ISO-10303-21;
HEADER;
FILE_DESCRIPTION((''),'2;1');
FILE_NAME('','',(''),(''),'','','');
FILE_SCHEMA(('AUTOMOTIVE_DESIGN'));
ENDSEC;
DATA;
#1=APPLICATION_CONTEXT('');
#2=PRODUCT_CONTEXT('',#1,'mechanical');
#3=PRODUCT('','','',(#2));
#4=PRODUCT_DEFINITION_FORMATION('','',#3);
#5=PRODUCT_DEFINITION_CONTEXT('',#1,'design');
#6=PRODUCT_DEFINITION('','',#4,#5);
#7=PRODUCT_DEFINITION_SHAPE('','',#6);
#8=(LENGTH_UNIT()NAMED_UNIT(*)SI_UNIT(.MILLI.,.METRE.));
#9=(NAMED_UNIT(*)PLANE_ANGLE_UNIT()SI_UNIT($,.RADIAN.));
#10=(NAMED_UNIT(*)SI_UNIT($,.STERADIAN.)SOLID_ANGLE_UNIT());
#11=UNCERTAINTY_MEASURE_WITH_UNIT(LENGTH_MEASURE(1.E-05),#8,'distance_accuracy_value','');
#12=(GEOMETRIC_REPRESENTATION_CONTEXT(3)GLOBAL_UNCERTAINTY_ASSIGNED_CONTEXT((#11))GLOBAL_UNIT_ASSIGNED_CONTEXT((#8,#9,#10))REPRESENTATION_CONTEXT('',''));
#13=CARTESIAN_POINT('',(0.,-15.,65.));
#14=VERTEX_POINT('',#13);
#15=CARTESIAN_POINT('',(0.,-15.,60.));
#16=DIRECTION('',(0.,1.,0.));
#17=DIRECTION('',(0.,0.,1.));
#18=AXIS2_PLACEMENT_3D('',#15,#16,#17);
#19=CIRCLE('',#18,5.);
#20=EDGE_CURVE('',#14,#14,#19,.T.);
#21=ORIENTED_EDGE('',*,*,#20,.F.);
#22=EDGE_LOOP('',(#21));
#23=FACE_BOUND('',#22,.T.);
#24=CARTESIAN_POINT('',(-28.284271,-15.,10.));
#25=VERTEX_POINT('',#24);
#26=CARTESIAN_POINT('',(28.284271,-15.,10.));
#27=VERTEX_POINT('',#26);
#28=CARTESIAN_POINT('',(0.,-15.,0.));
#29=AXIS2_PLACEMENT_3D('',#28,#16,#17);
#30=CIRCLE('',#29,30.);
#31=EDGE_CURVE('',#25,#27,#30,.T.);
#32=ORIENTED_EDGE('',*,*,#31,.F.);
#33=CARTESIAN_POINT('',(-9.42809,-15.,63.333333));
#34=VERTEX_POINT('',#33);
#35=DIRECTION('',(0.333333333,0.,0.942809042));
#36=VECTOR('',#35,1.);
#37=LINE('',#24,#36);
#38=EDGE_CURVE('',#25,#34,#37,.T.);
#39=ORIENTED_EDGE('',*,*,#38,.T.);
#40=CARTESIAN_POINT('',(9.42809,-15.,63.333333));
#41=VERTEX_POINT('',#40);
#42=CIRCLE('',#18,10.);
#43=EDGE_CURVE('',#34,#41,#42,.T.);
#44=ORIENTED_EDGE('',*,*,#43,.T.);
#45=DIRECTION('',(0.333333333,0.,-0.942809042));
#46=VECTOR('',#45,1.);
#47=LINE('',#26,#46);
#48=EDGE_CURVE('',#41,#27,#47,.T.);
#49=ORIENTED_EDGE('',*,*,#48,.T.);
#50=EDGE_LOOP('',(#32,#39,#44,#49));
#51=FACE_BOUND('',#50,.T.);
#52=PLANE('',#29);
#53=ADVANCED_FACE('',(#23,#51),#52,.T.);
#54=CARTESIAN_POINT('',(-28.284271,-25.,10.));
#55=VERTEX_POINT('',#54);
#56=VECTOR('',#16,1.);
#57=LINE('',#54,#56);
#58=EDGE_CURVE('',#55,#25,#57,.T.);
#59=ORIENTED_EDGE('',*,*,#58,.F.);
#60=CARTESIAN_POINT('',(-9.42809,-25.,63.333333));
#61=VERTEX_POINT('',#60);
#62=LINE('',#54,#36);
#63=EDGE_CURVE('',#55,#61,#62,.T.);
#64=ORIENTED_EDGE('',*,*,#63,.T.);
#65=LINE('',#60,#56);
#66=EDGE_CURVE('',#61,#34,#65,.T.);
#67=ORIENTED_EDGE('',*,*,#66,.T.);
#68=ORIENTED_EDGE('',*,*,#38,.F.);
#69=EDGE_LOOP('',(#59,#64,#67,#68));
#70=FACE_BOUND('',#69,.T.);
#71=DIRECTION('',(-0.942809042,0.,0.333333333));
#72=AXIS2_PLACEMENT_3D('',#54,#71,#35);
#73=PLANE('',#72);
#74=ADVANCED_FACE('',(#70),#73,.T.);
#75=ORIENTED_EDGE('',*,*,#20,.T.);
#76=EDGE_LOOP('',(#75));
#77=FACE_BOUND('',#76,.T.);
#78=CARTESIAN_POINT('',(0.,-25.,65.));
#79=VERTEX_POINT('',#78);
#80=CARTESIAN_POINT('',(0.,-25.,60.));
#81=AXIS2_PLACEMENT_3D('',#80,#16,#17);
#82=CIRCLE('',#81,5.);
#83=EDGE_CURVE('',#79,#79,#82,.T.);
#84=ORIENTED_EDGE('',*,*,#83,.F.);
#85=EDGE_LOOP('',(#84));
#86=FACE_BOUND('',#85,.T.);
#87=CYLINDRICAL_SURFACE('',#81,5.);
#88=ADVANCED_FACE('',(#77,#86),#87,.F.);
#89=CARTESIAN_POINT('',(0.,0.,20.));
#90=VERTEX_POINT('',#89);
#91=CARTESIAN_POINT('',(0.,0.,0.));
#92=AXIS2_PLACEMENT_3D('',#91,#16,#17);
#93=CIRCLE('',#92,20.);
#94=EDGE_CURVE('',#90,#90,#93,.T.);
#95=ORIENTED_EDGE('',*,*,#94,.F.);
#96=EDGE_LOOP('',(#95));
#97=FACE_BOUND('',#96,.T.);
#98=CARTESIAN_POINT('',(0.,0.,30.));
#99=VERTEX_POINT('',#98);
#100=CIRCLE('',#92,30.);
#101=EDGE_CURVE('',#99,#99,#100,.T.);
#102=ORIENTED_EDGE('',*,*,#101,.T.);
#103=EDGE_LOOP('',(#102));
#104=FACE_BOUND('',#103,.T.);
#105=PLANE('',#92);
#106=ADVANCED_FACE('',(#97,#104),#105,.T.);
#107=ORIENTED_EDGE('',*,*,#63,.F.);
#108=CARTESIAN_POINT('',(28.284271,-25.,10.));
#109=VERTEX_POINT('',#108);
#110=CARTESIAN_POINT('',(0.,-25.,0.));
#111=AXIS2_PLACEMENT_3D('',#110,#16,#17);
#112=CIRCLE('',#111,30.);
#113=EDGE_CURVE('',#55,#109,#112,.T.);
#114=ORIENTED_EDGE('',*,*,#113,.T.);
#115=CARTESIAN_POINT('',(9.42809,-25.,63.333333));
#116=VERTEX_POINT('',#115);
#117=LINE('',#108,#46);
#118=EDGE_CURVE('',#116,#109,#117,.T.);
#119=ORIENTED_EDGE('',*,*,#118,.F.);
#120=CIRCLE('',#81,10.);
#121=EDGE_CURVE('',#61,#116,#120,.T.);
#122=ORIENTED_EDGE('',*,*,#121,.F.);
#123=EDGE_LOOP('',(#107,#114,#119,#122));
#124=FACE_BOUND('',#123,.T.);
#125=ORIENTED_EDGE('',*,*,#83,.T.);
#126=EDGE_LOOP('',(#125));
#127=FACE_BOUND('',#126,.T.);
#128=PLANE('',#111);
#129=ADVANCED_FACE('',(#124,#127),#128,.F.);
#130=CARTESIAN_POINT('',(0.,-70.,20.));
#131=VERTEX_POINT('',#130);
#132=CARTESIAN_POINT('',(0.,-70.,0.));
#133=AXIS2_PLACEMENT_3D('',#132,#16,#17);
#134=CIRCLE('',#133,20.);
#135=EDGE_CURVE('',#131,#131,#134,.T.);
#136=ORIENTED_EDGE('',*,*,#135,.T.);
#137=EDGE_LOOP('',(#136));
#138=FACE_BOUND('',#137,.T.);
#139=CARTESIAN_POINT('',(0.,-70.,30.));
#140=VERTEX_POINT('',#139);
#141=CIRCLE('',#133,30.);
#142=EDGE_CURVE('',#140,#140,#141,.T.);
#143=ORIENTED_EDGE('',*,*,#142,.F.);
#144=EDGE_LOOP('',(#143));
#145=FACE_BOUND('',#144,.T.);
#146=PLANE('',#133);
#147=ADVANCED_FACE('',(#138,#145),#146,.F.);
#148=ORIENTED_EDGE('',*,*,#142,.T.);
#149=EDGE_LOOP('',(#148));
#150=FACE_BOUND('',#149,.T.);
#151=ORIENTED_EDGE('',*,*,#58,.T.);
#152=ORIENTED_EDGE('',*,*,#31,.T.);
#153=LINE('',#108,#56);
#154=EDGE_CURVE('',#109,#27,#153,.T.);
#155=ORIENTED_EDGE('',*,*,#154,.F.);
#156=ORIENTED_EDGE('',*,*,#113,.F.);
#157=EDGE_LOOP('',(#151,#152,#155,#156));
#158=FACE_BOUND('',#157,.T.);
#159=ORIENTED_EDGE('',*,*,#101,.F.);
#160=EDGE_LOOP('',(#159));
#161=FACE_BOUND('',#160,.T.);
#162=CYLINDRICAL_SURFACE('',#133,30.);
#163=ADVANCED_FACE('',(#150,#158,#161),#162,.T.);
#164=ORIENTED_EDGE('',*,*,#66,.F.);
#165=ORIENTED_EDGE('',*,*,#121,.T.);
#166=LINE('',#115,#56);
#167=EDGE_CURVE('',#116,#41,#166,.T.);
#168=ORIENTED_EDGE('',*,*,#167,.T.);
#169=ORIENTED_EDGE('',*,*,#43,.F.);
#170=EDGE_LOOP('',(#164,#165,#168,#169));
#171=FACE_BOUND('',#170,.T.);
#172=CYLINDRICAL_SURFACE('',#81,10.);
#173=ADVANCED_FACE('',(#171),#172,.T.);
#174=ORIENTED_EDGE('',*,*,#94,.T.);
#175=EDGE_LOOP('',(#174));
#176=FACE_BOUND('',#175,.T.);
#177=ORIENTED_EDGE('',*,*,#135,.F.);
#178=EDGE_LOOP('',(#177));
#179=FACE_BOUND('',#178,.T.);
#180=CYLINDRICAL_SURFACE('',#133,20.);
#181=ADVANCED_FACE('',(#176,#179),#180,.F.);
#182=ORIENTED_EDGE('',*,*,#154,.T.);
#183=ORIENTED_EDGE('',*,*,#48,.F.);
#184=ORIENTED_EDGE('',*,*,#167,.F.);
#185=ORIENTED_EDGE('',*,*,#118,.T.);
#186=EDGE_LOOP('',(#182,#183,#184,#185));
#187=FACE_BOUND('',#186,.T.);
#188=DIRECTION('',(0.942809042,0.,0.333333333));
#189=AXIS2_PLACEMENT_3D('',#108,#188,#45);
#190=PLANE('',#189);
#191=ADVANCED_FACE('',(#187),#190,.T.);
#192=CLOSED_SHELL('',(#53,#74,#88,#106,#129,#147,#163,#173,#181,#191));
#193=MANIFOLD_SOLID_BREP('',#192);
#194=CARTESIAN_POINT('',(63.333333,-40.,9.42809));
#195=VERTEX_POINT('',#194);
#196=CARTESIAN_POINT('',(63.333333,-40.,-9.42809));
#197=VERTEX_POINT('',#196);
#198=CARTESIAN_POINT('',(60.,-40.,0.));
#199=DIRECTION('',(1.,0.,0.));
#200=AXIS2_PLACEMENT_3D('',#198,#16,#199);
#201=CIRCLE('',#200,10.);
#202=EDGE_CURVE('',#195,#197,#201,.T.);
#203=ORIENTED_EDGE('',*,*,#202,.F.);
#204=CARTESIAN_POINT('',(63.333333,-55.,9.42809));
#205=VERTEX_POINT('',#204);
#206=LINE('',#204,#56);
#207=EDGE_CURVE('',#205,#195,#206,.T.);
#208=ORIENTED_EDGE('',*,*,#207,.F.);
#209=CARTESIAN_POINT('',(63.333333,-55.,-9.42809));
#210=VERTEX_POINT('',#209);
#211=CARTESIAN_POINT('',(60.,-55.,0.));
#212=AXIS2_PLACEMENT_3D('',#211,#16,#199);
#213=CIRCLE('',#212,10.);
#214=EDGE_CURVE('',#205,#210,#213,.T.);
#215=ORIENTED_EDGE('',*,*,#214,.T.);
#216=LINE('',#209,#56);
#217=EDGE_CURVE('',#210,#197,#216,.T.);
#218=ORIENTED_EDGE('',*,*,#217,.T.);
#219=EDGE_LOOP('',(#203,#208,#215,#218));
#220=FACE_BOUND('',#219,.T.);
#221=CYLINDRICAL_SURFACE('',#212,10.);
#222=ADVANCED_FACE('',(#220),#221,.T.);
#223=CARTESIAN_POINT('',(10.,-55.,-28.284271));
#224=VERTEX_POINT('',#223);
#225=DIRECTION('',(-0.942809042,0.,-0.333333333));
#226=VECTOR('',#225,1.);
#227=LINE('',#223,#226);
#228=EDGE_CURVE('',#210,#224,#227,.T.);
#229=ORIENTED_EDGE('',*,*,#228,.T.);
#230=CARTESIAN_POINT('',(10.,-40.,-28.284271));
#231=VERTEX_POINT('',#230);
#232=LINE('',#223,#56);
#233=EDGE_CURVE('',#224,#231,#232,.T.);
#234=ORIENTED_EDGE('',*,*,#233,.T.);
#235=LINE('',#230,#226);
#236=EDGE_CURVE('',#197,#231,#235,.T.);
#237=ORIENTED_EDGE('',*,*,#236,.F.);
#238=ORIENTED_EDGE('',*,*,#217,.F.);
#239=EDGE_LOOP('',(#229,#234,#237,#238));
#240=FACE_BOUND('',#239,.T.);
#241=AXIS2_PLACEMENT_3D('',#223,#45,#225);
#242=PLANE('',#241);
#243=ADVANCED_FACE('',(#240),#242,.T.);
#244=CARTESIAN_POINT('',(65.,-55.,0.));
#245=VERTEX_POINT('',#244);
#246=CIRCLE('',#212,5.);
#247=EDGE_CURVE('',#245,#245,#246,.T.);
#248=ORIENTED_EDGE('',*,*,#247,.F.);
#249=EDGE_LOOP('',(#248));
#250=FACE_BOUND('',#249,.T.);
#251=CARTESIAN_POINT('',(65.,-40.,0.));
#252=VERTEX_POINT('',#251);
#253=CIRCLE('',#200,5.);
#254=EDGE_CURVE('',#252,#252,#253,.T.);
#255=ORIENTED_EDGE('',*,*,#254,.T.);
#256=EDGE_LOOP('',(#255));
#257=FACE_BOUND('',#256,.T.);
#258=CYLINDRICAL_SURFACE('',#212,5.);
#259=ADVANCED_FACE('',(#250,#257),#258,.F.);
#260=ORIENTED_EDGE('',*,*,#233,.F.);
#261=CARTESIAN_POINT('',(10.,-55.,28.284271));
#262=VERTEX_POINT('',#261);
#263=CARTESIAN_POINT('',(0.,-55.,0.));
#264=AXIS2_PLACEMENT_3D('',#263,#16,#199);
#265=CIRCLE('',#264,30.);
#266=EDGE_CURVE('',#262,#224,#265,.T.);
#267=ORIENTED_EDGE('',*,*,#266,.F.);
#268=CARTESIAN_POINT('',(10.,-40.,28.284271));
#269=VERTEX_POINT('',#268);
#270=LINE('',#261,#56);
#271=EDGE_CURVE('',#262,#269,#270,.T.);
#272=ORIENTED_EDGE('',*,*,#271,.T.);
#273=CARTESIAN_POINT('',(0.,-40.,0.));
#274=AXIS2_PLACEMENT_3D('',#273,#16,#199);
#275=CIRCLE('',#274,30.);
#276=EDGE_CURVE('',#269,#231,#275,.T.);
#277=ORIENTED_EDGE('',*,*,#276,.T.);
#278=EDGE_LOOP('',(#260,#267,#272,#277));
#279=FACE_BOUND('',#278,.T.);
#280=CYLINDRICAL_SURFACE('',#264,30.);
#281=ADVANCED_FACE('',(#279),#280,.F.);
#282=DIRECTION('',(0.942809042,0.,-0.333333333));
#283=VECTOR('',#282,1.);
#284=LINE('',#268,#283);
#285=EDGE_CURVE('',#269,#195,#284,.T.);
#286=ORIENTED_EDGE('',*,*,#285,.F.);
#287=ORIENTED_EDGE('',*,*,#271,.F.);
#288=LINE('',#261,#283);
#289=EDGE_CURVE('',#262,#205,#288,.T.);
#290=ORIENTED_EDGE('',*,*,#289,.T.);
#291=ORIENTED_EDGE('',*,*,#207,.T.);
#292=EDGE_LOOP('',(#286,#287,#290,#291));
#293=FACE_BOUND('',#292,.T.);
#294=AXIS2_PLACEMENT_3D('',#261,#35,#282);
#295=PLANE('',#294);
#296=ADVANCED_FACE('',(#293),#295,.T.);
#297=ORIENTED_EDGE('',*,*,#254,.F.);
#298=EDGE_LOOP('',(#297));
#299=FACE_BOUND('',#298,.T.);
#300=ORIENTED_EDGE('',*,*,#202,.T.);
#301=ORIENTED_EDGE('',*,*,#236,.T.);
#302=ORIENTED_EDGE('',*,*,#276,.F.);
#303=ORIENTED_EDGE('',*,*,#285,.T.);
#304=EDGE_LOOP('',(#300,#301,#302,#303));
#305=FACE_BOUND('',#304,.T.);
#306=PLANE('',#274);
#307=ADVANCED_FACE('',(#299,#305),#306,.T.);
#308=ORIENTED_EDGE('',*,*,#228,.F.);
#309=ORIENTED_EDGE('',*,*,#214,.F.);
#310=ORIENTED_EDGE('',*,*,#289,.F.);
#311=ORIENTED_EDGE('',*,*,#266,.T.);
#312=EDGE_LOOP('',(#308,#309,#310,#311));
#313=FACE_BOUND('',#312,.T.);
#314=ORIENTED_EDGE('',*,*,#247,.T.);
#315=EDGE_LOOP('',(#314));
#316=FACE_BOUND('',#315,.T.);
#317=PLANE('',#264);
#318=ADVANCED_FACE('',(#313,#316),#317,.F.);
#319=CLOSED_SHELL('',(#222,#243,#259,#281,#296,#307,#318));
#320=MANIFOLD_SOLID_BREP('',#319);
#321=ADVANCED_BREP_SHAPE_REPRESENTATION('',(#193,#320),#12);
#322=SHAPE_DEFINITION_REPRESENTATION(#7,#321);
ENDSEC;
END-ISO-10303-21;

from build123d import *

# Parameters (mm, degrees)
SKETCH1_R             = 30
SKETCH1_R_2           = 20
BOSS_EXTRUDE1_DEPTH   = 70
BOSS_EXTRUDE2_START   = -15
SKETCH2_R             = 5
BOSS_EXTRUDE2_DEPTH   = 10
BOSS_EXTRUDE3_START   = -40
SKETCH2_3_R           = 5
BOSS_EXTRUDE3_DEPTH   = 15
BODY_MOVE_COPY1_ANGLE = 90


with BuildPart() as part:
    # Sketch1 → Boss-Extrude1 (new body)
    with BuildSketch(Plane(origin=(0, 0, 0), x_dir=(1, 0, 0), z_dir=(0, 1, 0))):
        Circle(SKETCH1_R)
        Circle(SKETCH1_R_2, mode=Mode.SUBTRACT)
    extrude(amount=-BOSS_EXTRUDE1_DEPTH)

    # Sketch2 → Boss-Extrude2 (add)
    with BuildSketch(Plane(origin=(0, 0, 0), x_dir=(1, 0, 0), z_dir=(0, 1, 0)).offset(BOSS_EXTRUDE2_START)):
        with BuildLine():
            ThreePointArc((28.284271247, -10), (0, -30), (-28.284271247, -10))
            Line((-28.284271247, -10), (-9.428090416, -63.333333333))
            ThreePointArc((-9.428090416, -63.333333333), (0, -70), (9.428090416, -63.333333333))
            Line((9.428090416, -63.333333333), (28.284271247, -10))
        make_face()
        with Locations((0, -60)):
            Circle(SKETCH2_R, mode=Mode.SUBTRACT)
    extrude(amount=-BOSS_EXTRUDE2_DEPTH)


with BuildPart() as body_2:
    # Sketch2<3> → Boss-Extrude3 (new body)
    with BuildSketch(Plane(origin=(0, 0, 0), x_dir=(1, 0, 0), z_dir=(0, 1, 0)).offset(BOSS_EXTRUDE3_START)):
        with BuildLine():
            ThreePointArc((28.284271247, -10), (0, -30), (-28.284271247, -10))
            Line((-28.284271247, -10), (-9.428090416, -63.333333333))
            ThreePointArc((-9.428090416, -63.333333333), (0, -70), (9.428090416, -63.333333333))
            Line((9.428090416, -63.333333333), (28.284271247, -10))
        make_face()
        with Locations((0, -60)):
            Circle(SKETCH2_3_R, mode=Mode.SUBTRACT)
    extrude(amount=-BOSS_EXTRUDE3_DEPTH)


with BuildPart() as body_2_1:
    # Body-Move/Copy1: moved
    add(body_2.part.rotate(Axis((0, 0, 0), (0, 1, 0)), BODY_MOVE_COPY1_ANGLE))


solid = Compound([part.part, body_2_1.part])
